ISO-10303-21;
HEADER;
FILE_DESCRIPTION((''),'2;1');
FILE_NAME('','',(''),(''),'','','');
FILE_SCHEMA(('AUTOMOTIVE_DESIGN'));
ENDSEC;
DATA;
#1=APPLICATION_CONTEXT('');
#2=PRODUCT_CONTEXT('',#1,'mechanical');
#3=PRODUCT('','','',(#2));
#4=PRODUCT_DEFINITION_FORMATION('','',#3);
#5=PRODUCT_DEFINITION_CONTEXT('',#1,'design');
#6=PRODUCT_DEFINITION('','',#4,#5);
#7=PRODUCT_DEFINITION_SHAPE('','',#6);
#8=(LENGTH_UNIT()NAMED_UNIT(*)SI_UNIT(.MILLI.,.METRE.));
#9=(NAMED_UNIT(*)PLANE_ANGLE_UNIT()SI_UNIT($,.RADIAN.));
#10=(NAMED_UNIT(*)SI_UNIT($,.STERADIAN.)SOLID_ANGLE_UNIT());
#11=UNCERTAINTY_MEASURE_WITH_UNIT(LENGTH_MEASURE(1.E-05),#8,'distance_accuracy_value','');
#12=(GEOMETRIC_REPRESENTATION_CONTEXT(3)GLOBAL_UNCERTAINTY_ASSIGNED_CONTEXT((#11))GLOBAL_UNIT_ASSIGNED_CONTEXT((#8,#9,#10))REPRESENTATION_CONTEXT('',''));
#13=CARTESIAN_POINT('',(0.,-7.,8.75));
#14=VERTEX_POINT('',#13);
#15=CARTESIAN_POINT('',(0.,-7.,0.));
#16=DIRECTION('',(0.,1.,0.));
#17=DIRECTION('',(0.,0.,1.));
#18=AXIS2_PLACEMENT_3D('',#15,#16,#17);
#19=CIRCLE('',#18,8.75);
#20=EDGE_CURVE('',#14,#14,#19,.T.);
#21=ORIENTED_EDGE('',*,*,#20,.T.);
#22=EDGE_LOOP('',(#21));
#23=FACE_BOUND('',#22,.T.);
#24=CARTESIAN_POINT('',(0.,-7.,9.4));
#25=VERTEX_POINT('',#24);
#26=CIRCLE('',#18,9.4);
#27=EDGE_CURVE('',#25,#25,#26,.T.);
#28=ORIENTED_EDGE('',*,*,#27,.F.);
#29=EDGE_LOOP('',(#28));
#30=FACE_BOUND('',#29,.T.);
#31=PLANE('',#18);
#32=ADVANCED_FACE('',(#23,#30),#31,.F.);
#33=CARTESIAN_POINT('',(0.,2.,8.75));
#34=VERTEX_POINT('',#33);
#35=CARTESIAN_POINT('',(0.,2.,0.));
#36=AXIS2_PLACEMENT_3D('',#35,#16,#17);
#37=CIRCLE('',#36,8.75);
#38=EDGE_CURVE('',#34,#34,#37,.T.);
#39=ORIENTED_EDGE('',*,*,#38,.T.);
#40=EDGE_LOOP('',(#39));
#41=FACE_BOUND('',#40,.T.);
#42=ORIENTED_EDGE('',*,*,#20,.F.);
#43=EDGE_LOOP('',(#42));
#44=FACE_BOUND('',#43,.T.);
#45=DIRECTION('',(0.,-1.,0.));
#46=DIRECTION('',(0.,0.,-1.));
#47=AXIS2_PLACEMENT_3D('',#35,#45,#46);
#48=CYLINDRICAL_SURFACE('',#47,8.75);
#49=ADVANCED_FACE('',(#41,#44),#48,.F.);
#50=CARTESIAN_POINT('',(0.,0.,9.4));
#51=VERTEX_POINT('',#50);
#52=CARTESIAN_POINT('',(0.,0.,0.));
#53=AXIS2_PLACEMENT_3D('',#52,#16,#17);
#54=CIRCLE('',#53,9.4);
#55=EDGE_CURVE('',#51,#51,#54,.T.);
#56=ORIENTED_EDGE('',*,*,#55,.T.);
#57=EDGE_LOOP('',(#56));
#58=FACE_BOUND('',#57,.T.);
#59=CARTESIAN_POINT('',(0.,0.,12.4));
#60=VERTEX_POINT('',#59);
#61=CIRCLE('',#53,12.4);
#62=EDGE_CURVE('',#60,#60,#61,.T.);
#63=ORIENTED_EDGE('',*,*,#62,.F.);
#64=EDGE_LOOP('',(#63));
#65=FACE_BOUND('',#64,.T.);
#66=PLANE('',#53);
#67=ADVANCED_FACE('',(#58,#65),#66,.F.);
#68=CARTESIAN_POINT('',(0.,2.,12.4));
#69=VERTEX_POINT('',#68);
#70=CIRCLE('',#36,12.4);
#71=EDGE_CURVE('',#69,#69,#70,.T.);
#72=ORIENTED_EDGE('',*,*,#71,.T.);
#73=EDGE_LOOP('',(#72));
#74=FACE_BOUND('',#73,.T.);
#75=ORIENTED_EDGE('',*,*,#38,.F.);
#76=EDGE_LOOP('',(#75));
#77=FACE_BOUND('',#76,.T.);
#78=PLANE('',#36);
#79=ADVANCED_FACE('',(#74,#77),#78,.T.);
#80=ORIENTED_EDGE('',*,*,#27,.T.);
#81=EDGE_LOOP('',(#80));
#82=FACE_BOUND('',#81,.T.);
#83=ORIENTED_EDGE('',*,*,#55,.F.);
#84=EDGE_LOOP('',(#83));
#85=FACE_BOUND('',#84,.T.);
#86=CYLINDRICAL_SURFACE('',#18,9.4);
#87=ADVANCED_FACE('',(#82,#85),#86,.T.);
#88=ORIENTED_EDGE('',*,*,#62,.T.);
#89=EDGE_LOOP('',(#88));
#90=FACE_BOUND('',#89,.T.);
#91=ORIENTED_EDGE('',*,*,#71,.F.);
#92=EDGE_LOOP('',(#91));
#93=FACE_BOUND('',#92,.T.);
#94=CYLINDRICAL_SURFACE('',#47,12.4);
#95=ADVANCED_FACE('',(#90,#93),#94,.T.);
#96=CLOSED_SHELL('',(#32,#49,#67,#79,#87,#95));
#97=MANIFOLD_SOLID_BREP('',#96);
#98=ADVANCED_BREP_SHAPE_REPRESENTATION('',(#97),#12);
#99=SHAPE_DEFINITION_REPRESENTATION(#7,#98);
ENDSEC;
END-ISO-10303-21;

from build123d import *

# Parameters (mm, degrees)
SKETCH1_R           = 12.4
SKETCH1_R_2         = 8.75
BOSS_EXTRUDE1_DEPTH = 2
BOSS_EXTRUDE2_START = -7
SKETCH1_3_R         = 9.4
SKETCH1_3_R_2       = 8.75
BOSS_EXTRUDE2_DEPTH = 7


with BuildPart() as part:
    # Sketch1 → Boss-Extrude1 (new body)
    with BuildSketch(Plane(origin=(0, 0, 0), x_dir=(1, 0, 0), z_dir=(0, 1, 0))):
        Circle(SKETCH1_R)
        Circle(SKETCH1_R_2, mode=Mode.SUBTRACT)
    extrude(amount=BOSS_EXTRUDE1_DEPTH)

    # Sketch1<3> → Boss-Extrude2 (add)
    with BuildSketch(Plane(origin=(0, 0, 0), x_dir=(1, 0, 0), z_dir=(0, 1, 0)).offset(BOSS_EXTRUDE2_START)):
        Circle(SKETCH1_3_R)
        Circle(SKETCH1_3_R_2, mode=Mode.SUBTRACT)
    extrude(amount=BOSS_EXTRUDE2_DEPTH)


solid = part.part
